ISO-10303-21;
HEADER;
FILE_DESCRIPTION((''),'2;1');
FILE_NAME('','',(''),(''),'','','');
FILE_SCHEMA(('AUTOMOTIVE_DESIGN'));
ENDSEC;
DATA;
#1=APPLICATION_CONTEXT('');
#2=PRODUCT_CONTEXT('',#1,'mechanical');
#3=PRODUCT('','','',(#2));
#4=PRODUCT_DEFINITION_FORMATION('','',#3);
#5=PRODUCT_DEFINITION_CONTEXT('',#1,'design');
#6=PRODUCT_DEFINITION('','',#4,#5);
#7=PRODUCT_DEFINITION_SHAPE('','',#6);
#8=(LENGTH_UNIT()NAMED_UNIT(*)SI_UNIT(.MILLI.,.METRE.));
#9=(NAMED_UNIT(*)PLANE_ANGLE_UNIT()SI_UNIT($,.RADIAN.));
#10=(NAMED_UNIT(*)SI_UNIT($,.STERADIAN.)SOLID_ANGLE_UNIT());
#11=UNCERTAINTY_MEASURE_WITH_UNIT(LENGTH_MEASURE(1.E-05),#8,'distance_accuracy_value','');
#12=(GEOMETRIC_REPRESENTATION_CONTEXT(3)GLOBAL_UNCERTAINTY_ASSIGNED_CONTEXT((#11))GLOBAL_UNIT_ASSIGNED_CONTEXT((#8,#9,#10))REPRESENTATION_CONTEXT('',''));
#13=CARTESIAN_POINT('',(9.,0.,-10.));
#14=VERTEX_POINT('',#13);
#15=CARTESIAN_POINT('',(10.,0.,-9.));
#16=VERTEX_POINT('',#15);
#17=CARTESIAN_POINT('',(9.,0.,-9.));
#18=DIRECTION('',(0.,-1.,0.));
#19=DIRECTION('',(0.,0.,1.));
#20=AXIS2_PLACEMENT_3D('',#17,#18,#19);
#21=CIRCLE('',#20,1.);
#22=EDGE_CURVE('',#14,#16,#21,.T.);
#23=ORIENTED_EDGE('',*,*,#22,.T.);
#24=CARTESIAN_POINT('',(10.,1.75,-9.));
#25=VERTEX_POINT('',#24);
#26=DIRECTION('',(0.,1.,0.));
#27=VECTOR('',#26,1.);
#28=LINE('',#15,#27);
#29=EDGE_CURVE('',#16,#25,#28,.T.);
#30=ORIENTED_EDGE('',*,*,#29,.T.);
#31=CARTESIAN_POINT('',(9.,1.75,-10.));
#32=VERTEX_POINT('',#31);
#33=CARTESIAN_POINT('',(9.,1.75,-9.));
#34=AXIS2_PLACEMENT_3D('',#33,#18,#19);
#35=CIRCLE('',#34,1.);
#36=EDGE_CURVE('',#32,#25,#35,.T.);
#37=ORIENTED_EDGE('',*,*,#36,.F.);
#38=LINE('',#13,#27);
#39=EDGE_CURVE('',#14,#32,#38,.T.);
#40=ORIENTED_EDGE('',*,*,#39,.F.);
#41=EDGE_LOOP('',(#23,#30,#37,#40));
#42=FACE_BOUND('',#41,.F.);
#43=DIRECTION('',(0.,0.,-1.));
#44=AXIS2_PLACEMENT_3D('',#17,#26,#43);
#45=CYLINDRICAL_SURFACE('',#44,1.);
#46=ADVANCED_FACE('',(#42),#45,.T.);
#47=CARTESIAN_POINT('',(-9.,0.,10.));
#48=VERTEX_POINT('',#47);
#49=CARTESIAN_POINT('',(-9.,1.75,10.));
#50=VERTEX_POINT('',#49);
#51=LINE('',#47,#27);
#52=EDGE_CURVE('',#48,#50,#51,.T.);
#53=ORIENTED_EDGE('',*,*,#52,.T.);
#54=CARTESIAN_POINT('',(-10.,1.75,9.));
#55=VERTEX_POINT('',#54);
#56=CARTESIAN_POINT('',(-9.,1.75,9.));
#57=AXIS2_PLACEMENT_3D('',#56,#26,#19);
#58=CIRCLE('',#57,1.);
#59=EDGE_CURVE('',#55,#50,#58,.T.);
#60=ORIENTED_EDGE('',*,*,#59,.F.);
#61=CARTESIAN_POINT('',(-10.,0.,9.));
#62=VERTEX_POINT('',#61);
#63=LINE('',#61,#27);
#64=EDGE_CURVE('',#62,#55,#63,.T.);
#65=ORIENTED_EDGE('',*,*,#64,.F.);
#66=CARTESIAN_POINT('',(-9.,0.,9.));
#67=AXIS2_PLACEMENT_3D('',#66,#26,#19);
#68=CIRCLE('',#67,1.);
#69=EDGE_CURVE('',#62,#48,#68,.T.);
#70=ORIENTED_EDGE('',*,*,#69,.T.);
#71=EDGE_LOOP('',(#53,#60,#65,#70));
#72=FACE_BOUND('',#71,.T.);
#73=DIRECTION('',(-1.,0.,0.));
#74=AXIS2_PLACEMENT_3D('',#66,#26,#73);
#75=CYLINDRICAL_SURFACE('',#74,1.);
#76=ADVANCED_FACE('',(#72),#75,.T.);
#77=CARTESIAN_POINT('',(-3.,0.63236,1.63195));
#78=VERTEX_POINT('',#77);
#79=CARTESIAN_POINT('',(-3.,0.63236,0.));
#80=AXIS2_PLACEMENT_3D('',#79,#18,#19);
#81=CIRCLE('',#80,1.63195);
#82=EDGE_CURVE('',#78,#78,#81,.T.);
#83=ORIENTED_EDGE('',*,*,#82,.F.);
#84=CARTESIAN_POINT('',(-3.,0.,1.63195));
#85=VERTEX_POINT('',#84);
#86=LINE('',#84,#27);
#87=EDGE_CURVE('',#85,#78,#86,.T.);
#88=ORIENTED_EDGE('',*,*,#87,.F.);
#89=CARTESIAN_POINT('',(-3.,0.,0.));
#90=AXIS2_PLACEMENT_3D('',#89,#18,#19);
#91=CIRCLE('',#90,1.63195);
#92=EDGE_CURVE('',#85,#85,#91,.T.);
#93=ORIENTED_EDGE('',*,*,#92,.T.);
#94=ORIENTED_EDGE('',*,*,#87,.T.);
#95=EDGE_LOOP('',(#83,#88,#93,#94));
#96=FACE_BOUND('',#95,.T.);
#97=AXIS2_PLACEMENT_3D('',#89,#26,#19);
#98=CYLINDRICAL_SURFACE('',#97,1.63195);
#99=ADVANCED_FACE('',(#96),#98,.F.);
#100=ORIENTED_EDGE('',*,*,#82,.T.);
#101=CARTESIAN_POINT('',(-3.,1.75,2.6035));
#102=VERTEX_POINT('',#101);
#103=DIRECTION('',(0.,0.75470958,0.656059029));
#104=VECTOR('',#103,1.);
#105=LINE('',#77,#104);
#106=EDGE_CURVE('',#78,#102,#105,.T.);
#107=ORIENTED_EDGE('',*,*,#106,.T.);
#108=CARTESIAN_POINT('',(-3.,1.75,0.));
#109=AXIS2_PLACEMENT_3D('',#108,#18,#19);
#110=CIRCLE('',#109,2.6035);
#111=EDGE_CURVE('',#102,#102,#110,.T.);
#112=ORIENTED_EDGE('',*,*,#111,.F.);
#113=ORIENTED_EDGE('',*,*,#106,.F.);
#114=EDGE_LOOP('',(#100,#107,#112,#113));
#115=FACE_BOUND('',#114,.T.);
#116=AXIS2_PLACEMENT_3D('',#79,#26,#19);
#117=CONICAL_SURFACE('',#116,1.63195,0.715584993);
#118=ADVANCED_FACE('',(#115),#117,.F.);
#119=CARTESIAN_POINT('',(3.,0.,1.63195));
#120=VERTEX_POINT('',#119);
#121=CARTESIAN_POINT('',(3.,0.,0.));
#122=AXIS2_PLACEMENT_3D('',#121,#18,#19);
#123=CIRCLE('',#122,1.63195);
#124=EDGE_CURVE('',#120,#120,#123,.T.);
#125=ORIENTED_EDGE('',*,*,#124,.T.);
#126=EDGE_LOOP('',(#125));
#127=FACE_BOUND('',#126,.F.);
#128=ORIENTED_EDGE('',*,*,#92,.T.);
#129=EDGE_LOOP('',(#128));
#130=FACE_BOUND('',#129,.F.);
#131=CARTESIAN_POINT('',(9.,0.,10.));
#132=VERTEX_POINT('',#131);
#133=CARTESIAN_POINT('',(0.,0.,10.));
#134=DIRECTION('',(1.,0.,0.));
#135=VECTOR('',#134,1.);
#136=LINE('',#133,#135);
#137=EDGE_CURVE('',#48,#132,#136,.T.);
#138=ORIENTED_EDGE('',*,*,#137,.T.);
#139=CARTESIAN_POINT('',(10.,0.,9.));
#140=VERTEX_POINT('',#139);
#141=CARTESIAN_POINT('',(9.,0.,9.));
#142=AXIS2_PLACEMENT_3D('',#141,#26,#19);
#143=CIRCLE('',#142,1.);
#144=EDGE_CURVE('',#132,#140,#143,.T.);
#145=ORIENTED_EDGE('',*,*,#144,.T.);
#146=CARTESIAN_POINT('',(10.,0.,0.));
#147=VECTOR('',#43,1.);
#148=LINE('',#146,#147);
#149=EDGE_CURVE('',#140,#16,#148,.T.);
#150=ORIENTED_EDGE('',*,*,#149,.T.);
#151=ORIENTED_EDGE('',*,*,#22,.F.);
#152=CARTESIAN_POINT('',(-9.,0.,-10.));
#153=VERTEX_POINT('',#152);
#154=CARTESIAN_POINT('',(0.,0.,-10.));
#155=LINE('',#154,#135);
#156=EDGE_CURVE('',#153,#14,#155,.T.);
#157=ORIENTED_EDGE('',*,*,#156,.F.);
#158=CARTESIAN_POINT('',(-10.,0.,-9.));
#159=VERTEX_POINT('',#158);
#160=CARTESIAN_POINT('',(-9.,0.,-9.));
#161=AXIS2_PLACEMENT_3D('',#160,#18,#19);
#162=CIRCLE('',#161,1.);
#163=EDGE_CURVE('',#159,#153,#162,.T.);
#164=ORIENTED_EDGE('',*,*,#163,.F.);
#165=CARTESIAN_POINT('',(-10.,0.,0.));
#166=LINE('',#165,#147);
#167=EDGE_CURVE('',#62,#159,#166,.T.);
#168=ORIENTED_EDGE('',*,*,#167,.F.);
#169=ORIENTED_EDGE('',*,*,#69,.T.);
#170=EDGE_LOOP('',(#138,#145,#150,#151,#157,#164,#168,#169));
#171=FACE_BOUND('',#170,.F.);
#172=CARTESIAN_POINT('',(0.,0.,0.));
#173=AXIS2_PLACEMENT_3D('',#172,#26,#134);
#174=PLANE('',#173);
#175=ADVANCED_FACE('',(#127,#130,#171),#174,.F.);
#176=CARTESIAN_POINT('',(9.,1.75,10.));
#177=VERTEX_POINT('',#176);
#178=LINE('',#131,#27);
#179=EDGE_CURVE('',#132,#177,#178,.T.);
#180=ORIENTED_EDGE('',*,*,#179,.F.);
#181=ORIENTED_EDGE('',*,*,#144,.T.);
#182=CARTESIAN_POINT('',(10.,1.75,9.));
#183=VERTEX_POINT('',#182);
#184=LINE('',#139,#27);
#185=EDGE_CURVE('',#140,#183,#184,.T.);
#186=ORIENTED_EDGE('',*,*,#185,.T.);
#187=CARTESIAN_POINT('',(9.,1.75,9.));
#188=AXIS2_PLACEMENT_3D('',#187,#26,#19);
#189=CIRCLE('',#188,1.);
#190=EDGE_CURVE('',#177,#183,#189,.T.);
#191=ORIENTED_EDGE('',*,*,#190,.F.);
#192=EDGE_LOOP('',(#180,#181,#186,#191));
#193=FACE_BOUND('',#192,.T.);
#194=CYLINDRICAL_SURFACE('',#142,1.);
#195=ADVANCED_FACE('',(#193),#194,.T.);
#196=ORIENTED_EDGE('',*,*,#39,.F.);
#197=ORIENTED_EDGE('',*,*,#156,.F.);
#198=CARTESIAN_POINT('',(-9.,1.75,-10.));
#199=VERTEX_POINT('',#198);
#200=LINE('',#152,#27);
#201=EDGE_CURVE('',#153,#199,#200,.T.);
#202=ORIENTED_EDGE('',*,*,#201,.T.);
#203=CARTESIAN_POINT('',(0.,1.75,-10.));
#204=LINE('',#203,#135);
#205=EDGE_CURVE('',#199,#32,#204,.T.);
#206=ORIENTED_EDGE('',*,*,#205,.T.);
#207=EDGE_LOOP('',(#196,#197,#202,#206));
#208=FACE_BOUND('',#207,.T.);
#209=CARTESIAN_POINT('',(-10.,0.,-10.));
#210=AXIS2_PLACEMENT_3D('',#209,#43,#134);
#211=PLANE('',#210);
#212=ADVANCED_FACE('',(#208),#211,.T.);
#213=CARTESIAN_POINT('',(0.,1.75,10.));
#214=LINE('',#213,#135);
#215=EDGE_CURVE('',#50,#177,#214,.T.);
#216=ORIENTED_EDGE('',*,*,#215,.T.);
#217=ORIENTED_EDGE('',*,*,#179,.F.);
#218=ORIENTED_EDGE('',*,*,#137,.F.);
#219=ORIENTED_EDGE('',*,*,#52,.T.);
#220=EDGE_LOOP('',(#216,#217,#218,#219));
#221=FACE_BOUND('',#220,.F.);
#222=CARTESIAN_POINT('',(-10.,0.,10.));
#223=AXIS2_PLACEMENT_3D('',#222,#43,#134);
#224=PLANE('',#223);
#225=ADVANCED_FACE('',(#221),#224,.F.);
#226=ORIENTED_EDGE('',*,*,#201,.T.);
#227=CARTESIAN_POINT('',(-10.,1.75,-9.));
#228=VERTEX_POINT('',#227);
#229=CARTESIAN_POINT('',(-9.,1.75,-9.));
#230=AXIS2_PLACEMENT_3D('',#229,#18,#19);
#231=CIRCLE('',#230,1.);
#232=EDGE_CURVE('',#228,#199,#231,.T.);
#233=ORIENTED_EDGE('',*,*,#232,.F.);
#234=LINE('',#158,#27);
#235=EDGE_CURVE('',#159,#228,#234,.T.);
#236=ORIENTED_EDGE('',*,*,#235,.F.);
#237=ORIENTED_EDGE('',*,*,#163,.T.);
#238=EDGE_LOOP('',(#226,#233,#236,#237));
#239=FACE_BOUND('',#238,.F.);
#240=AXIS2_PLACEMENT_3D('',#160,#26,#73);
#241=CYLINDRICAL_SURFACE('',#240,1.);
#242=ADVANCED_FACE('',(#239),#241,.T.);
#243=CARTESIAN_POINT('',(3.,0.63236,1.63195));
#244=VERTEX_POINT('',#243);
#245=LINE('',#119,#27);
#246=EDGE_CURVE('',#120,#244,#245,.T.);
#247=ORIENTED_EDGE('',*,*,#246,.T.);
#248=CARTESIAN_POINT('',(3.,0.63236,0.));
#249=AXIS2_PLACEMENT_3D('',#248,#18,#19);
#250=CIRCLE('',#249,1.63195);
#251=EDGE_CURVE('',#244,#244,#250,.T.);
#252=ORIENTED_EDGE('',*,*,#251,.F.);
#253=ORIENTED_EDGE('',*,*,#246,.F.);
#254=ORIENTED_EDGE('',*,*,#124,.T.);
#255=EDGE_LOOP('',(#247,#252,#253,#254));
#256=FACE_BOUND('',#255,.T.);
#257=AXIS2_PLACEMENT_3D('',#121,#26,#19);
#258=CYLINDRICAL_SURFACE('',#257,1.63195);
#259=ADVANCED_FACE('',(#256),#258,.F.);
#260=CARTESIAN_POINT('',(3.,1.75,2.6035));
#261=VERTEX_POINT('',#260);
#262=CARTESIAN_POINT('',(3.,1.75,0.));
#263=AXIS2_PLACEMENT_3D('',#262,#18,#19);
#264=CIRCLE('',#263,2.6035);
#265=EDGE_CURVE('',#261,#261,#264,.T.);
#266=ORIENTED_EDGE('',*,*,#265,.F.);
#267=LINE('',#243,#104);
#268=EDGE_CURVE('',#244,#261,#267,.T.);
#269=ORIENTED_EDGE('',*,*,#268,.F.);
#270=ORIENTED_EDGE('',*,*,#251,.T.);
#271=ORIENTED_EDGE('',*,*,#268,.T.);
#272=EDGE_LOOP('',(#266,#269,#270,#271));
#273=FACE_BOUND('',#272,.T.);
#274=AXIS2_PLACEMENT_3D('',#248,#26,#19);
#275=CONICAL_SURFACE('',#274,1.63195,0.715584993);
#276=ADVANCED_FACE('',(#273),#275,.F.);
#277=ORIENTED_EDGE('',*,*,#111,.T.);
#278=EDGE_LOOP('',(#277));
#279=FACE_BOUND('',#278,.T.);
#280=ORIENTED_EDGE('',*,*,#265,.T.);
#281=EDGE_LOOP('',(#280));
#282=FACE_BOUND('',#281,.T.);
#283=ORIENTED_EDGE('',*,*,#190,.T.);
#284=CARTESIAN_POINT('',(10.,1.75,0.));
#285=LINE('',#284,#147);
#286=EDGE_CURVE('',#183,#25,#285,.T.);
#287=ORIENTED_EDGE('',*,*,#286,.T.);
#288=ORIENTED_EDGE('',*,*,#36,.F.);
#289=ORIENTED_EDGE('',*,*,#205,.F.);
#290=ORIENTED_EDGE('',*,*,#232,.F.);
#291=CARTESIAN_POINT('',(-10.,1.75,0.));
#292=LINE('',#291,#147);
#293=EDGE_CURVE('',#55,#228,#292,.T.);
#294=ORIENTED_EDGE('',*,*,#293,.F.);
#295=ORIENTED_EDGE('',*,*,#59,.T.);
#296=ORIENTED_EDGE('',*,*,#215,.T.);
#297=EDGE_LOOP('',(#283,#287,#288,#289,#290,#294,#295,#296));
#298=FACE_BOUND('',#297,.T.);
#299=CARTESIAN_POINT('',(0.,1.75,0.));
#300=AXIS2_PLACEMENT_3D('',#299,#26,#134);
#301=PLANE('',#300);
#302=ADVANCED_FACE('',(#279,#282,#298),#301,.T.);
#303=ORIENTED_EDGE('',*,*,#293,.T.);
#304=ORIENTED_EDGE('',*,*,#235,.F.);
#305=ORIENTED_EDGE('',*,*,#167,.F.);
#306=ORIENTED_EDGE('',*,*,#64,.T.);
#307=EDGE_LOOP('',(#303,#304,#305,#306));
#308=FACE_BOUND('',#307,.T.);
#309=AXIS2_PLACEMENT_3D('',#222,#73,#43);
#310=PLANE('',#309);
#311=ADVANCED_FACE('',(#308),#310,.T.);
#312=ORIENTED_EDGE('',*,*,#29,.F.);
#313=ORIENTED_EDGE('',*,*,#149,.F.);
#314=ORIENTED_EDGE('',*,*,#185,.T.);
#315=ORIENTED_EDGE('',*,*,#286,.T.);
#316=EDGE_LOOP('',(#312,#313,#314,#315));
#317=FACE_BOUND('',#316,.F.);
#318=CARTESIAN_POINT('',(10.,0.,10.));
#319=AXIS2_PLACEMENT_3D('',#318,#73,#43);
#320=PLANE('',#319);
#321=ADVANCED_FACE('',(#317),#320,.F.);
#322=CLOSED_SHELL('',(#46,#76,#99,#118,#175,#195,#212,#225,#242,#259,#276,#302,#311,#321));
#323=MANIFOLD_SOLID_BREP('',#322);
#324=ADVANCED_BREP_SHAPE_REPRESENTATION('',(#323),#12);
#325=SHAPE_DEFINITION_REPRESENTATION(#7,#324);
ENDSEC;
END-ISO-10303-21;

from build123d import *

# Parameters (mm, degrees)
SKETCH1_W                                     = 20
SKETCH1_H                                     = 20
BOSS_EXTRUDE1_DEPTH                           = 1.75
CSK_FOR_4_FLAT_HEAD_MACHINE_SCREW1_AT_2_COUNT = 2
CSK_FOR_4_FLAT_HEAD_MACHINE_SCREW1_AT_2_PITCH = 6
FILLET2_R                                     = 1


with BuildPart() as part:
    # Sketch1 → Boss-Extrude1 (new body)
    with BuildSketch(Plane(origin=(0, 0, 0), x_dir=(1, 0, 0), z_dir=(0, 1, 0))):
        Rectangle(SKETCH1_W, SKETCH1_H)
    extrude(amount=BOSS_EXTRUDE1_DEPTH)

    # Sketch4 → CSK for #4 Flat Head Machine Screw1 (revolve, cut)
    with BuildSketch(Plane(origin=(3, 1.75, 0), x_dir=(0, 0, 1), z_dir=(1, 0, 0))):
        Polygon((0, 0), (0, 1.75), (1.63195, 1.75), (1.63195, 1.117640426), (2.6035, 0), align=None)
    csk_for_4_flat_head_machine_screw1 = revolve(axis=Axis((3, 8.1, 0), (0, -1, 0)), mode=Mode.SUBTRACT)

    # CSK for #4 Flat Head Machine Screw1 at 2: CSK for #4 Flat Head Machine Screw1 ×2
    with Locations(*[(-i * CSK_FOR_4_FLAT_HEAD_MACHINE_SCREW1_AT_2_PITCH, 0, 0) for i in range(1, CSK_FOR_4_FLAT_HEAD_MACHINE_SCREW1_AT_2_COUNT)]):
        add(csk_for_4_flat_head_machine_screw1, mode=Mode.SUBTRACT)

    # Fillet2
    fillet2_edges = [part.edges().sort_by_distance(p)[0] for p in [
        (10, 0.875, 10),
        (-10, 0.875, 10),
        (-10, 0.875, -10),
        (10, 0.875, -10),
    ]]
    fillet(fillet2_edges, radius=FILLET2_R)


solid = part.part
